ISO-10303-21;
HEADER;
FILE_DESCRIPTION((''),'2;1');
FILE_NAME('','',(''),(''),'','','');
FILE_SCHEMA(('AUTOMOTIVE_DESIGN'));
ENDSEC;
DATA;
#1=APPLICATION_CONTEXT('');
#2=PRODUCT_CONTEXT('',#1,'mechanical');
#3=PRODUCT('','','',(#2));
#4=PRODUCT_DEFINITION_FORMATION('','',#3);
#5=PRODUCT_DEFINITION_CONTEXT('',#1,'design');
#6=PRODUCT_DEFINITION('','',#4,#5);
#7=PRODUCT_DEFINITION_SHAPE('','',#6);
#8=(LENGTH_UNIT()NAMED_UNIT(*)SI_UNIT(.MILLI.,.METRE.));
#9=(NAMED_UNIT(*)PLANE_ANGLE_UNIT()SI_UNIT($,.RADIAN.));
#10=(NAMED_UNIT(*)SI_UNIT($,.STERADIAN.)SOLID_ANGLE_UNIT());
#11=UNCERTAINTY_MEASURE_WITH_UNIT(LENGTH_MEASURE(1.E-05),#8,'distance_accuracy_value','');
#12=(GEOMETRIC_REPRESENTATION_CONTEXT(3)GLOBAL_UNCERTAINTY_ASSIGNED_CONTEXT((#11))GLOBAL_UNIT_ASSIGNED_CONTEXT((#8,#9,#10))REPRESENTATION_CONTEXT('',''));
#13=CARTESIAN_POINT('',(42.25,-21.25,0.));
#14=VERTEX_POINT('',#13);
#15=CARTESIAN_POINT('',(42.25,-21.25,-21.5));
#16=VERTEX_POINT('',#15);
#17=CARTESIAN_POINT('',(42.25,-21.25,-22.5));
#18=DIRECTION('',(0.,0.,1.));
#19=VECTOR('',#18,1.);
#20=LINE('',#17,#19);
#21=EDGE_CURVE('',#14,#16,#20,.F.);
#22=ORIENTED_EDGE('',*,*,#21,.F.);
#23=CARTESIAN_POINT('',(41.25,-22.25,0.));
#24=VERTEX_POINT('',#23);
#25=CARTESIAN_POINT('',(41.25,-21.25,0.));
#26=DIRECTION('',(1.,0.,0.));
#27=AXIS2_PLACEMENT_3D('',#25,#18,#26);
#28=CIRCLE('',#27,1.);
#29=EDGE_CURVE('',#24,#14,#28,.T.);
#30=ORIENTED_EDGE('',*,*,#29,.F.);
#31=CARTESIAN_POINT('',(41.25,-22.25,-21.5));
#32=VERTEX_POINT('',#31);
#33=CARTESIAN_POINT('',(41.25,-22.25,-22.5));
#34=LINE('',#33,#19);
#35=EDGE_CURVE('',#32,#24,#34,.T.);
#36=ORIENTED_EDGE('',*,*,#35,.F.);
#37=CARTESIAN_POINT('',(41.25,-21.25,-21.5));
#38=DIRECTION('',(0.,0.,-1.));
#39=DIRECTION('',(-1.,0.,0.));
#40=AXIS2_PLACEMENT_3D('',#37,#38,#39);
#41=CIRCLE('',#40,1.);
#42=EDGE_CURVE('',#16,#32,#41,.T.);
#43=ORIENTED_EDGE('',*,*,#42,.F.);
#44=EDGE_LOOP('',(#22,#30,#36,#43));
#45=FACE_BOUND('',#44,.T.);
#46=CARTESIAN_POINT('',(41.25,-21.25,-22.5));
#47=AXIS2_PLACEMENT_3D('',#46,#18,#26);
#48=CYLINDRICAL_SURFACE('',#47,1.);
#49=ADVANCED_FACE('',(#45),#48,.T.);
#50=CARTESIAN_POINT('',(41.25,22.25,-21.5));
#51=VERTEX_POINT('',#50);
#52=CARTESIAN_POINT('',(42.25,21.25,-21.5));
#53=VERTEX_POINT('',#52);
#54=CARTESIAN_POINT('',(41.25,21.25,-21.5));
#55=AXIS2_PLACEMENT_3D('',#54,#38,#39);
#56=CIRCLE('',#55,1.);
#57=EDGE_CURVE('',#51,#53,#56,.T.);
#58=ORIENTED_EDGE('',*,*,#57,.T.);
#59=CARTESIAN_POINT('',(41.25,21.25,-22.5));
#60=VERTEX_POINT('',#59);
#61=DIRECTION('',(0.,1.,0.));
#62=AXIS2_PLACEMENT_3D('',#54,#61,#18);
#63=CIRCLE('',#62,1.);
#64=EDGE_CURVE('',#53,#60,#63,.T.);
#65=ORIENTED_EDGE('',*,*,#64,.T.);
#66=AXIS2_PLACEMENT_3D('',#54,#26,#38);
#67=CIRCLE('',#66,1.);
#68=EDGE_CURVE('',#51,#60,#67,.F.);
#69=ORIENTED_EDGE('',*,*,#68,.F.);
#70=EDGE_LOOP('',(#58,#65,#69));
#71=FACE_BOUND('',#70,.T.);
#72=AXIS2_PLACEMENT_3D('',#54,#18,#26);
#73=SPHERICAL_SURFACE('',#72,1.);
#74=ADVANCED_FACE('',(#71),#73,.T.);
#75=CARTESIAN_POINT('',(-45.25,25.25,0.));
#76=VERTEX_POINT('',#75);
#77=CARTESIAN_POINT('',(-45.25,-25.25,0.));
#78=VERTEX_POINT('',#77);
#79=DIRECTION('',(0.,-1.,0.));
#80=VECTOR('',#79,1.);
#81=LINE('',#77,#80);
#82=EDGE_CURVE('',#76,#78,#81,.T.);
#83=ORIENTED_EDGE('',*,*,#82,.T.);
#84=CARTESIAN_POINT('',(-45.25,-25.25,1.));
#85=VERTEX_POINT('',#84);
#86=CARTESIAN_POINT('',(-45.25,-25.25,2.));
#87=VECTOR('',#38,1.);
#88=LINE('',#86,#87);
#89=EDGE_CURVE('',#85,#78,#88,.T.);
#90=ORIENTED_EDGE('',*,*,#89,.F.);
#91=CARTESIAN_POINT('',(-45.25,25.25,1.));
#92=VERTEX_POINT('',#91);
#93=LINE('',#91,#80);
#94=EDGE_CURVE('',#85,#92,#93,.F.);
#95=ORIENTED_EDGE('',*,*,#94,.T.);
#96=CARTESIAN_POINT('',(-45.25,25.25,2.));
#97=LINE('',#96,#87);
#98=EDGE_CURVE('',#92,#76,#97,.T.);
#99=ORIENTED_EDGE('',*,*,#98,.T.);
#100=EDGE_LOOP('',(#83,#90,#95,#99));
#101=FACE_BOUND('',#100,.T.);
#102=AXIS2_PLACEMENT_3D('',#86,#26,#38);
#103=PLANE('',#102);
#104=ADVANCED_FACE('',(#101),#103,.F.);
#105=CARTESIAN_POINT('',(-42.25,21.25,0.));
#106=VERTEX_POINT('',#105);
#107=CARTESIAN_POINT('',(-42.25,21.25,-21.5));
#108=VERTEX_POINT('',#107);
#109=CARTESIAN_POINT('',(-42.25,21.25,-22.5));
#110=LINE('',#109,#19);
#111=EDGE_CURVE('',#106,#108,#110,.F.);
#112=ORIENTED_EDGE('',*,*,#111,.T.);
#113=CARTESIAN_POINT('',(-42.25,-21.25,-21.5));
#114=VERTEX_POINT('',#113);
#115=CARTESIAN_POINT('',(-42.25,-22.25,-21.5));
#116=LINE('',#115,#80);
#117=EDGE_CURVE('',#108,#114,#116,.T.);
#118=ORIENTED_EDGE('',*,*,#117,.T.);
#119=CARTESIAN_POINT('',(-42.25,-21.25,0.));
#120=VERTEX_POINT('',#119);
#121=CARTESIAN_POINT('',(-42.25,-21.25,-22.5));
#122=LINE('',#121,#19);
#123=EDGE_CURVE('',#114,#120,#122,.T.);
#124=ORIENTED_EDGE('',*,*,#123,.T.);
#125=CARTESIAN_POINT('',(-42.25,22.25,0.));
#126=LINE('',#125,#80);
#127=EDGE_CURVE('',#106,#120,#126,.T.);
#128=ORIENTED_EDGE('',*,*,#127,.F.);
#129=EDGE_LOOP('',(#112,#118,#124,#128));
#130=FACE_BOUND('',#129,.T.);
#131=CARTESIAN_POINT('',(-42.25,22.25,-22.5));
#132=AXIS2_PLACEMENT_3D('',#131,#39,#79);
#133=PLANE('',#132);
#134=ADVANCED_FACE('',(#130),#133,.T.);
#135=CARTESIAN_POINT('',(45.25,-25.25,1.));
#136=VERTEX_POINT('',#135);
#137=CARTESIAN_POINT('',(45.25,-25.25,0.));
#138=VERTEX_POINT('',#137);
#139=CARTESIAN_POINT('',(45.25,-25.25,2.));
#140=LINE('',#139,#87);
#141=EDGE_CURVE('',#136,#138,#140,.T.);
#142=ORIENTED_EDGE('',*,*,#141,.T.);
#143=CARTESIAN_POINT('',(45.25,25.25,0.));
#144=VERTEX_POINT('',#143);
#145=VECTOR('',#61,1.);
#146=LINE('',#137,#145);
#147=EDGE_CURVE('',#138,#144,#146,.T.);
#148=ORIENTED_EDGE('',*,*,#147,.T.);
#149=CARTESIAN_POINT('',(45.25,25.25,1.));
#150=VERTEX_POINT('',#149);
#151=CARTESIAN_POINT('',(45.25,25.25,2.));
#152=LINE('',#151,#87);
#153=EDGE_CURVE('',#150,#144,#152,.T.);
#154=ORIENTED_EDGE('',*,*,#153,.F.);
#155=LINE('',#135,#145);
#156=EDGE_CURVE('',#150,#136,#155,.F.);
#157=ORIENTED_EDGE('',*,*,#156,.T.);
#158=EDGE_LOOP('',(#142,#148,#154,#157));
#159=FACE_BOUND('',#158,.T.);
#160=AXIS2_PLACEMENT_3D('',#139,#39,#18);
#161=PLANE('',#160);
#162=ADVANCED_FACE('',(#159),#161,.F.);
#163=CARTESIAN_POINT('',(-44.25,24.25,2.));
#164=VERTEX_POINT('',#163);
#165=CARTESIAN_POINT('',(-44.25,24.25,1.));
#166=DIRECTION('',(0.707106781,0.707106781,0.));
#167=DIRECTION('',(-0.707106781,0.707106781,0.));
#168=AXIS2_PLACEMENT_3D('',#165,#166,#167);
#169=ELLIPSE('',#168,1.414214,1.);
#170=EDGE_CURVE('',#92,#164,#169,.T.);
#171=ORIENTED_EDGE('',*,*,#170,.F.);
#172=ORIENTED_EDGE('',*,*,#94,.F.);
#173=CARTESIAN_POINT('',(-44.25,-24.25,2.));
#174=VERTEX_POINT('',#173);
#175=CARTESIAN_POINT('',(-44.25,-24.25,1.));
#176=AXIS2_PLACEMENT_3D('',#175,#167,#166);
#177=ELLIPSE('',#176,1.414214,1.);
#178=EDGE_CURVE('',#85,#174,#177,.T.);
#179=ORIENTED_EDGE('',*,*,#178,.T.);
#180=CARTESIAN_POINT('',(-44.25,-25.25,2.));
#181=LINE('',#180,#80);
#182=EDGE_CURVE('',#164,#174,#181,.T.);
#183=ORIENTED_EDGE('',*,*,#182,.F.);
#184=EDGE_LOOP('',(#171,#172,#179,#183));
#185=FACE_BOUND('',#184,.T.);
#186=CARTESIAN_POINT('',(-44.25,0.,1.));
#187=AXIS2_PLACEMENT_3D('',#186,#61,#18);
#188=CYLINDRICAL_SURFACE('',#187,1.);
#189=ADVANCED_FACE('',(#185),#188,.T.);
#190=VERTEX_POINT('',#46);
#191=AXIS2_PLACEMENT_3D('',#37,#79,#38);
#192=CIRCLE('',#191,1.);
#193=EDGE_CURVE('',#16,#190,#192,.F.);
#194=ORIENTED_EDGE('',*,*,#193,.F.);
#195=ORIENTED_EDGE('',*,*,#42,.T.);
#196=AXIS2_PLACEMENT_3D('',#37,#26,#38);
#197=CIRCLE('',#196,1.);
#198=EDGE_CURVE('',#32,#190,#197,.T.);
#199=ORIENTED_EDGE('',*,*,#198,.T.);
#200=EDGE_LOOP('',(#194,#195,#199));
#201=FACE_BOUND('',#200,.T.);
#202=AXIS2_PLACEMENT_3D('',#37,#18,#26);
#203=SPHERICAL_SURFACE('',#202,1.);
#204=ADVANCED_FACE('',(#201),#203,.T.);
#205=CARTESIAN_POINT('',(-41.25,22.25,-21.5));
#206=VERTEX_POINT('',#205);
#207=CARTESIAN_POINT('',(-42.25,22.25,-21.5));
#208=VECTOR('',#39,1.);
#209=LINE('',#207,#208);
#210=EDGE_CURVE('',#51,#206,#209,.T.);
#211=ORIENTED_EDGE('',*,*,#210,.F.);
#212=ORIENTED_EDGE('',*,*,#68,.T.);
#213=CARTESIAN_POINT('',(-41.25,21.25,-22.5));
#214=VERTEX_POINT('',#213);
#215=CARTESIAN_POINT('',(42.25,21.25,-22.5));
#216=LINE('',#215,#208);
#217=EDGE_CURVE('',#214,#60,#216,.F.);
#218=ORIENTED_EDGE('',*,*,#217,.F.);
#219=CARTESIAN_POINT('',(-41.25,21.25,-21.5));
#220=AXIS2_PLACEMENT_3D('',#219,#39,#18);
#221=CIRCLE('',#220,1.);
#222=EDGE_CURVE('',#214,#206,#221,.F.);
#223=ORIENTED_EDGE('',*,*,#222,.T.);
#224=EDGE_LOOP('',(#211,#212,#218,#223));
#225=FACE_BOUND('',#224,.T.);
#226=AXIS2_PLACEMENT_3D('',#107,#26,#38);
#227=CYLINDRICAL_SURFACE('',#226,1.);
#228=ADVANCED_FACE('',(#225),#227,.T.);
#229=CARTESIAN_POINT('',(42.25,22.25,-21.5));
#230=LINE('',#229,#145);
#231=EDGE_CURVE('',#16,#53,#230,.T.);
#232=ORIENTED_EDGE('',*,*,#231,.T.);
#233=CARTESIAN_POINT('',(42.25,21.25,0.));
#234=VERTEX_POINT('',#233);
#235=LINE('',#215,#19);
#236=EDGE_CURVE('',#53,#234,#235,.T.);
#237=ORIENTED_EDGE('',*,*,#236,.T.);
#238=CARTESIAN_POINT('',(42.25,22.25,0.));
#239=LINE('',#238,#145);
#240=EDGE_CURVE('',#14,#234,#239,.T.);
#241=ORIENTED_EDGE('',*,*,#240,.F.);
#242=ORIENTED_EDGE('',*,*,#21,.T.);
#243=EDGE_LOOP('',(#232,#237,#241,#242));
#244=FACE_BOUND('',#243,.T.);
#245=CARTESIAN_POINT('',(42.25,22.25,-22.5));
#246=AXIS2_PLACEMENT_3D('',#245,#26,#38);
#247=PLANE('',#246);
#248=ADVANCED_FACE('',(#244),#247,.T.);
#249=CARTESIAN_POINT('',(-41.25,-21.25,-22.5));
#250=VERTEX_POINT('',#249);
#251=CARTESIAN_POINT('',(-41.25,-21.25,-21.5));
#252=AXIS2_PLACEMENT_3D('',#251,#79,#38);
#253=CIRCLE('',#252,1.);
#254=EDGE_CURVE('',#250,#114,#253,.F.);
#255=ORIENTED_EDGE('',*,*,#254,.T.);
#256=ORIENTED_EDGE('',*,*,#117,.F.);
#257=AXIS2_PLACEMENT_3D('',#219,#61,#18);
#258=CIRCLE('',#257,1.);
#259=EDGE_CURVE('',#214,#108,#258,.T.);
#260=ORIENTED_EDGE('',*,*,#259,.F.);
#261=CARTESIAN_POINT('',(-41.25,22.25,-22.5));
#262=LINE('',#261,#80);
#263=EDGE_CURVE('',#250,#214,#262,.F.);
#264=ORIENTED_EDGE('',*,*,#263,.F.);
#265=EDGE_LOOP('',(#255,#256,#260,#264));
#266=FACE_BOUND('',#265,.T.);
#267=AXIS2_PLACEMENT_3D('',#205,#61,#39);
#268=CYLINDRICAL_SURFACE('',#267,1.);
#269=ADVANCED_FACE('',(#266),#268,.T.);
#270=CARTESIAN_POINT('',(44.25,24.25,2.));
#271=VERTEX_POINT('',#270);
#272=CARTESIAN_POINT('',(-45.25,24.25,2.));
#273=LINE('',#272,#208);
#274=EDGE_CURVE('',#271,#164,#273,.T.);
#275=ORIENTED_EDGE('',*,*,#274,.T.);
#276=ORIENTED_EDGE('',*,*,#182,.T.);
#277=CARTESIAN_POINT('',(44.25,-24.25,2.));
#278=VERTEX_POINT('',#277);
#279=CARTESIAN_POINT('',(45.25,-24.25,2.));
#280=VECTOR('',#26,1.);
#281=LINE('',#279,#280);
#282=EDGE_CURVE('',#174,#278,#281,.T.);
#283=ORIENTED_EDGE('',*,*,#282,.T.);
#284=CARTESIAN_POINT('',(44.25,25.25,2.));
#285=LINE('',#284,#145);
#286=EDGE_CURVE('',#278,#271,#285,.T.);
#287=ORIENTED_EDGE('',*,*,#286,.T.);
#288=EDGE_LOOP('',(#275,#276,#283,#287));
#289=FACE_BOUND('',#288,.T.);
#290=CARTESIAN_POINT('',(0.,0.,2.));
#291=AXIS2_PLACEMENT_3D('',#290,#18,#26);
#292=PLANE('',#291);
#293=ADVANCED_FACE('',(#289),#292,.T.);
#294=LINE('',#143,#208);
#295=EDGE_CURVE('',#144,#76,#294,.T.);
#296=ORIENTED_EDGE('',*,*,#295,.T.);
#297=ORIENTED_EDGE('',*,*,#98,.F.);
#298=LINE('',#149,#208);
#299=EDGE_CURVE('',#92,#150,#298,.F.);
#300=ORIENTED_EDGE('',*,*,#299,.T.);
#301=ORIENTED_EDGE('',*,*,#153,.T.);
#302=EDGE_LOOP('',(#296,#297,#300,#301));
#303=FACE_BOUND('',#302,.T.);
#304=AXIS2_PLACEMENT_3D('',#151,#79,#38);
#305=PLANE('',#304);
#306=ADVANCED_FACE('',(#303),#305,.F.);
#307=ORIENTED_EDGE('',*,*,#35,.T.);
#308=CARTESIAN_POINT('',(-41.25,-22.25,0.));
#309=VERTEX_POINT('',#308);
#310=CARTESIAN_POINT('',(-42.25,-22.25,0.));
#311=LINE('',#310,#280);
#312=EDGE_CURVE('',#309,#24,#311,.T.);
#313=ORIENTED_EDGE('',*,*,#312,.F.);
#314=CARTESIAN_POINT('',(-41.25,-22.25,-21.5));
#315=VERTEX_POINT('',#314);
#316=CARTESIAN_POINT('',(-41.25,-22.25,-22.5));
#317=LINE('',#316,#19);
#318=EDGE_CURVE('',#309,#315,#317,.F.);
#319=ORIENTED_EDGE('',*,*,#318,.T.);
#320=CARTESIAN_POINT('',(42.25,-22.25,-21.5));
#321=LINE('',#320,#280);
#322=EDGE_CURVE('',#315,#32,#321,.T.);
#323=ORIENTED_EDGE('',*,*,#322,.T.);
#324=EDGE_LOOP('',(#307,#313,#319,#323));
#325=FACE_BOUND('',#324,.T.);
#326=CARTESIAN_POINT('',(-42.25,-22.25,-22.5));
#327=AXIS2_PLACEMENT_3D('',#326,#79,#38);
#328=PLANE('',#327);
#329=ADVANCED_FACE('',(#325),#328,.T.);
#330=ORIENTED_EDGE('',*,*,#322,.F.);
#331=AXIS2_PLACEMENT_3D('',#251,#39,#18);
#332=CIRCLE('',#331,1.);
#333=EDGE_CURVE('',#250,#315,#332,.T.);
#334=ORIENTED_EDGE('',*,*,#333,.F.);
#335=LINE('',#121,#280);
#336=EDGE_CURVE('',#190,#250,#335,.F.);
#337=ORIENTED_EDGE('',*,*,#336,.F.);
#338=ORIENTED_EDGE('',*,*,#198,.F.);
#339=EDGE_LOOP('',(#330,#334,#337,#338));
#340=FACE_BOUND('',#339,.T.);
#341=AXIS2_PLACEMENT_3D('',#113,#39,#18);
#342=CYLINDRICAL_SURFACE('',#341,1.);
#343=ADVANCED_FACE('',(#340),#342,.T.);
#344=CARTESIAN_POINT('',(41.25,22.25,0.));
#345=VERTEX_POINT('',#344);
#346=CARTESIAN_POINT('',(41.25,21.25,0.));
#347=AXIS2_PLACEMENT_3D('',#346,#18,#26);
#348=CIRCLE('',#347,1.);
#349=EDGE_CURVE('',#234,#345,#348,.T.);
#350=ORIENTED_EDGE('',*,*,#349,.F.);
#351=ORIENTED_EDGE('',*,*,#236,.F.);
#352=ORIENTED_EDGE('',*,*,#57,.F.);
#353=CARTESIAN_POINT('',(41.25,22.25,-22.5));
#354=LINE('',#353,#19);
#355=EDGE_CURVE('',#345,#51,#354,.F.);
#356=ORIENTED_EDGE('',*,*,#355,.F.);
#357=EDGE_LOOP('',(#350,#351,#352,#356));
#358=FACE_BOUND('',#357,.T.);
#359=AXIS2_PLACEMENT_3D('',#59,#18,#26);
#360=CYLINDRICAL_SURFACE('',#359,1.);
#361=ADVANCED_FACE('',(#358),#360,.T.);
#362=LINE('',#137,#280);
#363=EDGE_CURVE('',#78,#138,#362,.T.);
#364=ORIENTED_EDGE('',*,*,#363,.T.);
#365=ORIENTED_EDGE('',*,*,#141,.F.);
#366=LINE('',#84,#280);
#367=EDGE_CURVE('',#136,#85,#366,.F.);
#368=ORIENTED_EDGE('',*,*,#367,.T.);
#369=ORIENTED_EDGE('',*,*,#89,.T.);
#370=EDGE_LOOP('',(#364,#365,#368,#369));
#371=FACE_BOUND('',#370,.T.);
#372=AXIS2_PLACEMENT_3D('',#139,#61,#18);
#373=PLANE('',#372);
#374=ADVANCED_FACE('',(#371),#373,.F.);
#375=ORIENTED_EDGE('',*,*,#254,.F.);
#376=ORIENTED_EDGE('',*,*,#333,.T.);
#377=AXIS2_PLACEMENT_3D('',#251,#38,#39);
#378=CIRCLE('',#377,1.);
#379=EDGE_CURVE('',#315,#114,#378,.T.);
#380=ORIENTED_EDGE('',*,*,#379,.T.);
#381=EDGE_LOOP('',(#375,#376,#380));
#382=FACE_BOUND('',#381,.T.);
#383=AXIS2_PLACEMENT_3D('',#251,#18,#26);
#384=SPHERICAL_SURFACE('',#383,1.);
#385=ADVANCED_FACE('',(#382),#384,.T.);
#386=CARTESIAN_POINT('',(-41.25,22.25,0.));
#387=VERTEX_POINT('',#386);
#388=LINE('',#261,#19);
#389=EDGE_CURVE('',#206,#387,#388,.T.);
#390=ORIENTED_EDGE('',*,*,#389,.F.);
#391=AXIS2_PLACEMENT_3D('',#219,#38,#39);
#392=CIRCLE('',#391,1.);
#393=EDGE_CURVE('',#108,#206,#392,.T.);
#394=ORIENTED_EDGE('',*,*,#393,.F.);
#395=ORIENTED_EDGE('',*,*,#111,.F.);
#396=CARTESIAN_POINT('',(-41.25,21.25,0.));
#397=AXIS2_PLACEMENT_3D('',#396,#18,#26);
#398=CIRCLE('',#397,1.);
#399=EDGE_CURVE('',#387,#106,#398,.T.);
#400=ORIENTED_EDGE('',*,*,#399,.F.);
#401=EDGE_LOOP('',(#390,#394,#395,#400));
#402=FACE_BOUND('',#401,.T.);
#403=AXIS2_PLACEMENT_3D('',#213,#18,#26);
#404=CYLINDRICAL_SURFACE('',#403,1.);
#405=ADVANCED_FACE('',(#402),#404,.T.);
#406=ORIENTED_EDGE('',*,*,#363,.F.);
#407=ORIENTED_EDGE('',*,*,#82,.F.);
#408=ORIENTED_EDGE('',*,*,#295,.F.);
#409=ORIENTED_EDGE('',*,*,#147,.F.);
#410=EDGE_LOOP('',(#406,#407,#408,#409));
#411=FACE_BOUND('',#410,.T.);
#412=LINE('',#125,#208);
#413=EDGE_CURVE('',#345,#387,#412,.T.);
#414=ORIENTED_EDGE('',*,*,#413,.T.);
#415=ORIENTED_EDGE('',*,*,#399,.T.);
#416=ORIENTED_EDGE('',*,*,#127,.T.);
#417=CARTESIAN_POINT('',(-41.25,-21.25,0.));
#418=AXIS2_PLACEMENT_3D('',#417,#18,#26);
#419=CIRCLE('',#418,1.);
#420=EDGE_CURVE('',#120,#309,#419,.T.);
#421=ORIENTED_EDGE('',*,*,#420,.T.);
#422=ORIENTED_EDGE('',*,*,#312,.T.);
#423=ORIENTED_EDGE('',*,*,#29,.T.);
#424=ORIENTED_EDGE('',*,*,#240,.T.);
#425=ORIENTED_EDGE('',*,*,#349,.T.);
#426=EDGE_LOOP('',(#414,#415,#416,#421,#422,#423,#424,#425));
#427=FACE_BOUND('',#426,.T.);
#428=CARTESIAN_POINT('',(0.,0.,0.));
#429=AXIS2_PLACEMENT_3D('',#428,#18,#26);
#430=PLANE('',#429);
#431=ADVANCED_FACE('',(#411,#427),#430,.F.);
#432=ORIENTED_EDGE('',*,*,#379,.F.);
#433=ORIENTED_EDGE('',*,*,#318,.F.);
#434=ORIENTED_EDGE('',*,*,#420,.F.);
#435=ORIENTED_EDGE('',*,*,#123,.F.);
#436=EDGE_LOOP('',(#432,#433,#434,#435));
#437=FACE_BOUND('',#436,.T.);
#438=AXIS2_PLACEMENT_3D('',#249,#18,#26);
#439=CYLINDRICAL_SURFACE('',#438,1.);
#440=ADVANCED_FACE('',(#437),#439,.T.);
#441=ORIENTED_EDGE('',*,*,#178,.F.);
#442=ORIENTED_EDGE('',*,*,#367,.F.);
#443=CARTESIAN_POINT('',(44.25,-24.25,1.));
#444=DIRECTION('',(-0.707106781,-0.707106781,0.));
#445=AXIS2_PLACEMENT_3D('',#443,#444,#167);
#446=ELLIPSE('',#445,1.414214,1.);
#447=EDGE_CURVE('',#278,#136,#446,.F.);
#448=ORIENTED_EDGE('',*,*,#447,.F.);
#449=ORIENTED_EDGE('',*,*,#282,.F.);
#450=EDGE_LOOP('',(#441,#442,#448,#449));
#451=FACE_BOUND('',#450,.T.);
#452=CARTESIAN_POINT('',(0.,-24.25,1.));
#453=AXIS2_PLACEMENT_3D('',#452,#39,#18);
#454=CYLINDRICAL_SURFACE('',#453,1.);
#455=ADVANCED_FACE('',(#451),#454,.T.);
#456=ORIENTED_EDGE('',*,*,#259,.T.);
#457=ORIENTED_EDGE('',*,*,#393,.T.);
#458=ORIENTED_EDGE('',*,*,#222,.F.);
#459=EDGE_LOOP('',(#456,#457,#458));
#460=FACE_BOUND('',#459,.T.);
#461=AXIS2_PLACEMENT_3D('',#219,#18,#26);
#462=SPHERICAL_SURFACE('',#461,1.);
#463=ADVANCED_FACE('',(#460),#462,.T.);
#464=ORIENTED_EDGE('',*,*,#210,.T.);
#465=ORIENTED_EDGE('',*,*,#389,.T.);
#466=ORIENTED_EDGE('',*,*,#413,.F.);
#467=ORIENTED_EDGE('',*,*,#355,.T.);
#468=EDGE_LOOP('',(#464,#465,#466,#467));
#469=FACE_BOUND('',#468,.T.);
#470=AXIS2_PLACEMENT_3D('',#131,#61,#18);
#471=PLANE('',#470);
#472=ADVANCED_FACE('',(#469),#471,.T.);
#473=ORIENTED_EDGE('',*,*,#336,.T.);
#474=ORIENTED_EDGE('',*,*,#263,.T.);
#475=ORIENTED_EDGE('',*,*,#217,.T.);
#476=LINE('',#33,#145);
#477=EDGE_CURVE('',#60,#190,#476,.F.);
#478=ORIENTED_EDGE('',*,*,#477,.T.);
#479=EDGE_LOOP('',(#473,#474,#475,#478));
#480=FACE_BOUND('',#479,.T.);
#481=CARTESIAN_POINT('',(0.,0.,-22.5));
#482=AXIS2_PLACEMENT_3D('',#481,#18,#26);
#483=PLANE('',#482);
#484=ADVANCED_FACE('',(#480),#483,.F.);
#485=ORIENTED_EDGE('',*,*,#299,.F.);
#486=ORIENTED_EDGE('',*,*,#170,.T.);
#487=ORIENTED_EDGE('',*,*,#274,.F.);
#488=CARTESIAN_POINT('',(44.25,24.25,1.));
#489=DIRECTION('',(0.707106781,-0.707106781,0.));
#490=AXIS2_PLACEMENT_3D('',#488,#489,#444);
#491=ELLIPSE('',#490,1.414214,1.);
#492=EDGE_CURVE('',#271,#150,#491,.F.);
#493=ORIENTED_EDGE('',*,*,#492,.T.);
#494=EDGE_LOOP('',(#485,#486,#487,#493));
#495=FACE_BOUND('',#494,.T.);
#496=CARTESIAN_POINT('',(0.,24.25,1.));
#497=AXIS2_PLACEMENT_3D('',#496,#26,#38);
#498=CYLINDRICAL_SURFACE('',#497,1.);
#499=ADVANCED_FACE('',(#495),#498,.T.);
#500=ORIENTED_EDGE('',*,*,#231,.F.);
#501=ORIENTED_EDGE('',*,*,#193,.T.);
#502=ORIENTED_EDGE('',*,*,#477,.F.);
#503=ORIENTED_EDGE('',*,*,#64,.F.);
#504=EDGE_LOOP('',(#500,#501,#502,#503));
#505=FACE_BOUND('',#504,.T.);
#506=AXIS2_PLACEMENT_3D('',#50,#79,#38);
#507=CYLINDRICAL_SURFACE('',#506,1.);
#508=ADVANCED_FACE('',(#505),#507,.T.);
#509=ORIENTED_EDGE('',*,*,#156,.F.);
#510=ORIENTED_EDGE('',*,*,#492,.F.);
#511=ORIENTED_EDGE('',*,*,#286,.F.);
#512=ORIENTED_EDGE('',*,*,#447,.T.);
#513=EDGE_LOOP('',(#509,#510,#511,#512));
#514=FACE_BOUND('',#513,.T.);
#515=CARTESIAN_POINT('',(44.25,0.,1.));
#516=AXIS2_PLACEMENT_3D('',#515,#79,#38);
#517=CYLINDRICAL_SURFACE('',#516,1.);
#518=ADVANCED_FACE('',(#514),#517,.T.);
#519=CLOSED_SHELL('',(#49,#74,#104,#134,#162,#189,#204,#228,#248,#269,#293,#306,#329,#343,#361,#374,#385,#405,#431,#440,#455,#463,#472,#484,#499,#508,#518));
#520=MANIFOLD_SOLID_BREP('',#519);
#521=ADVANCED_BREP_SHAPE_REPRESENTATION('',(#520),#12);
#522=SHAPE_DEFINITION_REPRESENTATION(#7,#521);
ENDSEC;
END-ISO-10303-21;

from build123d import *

# Parameters (mm, degrees)
SKETCH1_W           = 84.5
SKETCH1_H           = 44.5
BOSS_EXTRUDE1_DEPTH = 22.5
SKETCH2_W           = 90.5
SKETCH2_H           = 50.5
BOSS_EXTRUDE2_DEPTH = 2
FILLET1_R           = 1


with BuildPart() as part:
    # Sketch1 → Boss-Extrude1 (new body)
    with BuildSketch(Plane.XY):
        Rectangle(SKETCH1_W, SKETCH1_H)
    extrude(amount=-BOSS_EXTRUDE1_DEPTH)

    # Sketch2 → Boss-Extrude2 (add)
    with BuildSketch(Plane.XY):
        Rectangle(SKETCH2_W, SKETCH2_H)
    extrude(amount=BOSS_EXTRUDE2_DEPTH)

    # Fillet1
    fillet1_edges = [part.edges().sort_by_distance(p)[0] for p in [
        (-42.25, 0, -22.5),
        (-45.25, 0, 2),
        (0, -25.25, 2),
        (45.25, 0, 2),
        (0, 25.25, 2),
        (0, -22.25, -22.5),
        (42.25, 0, -22.5),
        (42.25, -22.25, -11.25),
        (-42.25, -22.25, -11.25),
        (-42.25, 22.25, -11.25),
        (42.25, 22.25, -11.25),
        (0, 22.25, -22.5),
    ]]
    fillet(fillet1_edges, radius=FILLET1_R)


solid = part.part
